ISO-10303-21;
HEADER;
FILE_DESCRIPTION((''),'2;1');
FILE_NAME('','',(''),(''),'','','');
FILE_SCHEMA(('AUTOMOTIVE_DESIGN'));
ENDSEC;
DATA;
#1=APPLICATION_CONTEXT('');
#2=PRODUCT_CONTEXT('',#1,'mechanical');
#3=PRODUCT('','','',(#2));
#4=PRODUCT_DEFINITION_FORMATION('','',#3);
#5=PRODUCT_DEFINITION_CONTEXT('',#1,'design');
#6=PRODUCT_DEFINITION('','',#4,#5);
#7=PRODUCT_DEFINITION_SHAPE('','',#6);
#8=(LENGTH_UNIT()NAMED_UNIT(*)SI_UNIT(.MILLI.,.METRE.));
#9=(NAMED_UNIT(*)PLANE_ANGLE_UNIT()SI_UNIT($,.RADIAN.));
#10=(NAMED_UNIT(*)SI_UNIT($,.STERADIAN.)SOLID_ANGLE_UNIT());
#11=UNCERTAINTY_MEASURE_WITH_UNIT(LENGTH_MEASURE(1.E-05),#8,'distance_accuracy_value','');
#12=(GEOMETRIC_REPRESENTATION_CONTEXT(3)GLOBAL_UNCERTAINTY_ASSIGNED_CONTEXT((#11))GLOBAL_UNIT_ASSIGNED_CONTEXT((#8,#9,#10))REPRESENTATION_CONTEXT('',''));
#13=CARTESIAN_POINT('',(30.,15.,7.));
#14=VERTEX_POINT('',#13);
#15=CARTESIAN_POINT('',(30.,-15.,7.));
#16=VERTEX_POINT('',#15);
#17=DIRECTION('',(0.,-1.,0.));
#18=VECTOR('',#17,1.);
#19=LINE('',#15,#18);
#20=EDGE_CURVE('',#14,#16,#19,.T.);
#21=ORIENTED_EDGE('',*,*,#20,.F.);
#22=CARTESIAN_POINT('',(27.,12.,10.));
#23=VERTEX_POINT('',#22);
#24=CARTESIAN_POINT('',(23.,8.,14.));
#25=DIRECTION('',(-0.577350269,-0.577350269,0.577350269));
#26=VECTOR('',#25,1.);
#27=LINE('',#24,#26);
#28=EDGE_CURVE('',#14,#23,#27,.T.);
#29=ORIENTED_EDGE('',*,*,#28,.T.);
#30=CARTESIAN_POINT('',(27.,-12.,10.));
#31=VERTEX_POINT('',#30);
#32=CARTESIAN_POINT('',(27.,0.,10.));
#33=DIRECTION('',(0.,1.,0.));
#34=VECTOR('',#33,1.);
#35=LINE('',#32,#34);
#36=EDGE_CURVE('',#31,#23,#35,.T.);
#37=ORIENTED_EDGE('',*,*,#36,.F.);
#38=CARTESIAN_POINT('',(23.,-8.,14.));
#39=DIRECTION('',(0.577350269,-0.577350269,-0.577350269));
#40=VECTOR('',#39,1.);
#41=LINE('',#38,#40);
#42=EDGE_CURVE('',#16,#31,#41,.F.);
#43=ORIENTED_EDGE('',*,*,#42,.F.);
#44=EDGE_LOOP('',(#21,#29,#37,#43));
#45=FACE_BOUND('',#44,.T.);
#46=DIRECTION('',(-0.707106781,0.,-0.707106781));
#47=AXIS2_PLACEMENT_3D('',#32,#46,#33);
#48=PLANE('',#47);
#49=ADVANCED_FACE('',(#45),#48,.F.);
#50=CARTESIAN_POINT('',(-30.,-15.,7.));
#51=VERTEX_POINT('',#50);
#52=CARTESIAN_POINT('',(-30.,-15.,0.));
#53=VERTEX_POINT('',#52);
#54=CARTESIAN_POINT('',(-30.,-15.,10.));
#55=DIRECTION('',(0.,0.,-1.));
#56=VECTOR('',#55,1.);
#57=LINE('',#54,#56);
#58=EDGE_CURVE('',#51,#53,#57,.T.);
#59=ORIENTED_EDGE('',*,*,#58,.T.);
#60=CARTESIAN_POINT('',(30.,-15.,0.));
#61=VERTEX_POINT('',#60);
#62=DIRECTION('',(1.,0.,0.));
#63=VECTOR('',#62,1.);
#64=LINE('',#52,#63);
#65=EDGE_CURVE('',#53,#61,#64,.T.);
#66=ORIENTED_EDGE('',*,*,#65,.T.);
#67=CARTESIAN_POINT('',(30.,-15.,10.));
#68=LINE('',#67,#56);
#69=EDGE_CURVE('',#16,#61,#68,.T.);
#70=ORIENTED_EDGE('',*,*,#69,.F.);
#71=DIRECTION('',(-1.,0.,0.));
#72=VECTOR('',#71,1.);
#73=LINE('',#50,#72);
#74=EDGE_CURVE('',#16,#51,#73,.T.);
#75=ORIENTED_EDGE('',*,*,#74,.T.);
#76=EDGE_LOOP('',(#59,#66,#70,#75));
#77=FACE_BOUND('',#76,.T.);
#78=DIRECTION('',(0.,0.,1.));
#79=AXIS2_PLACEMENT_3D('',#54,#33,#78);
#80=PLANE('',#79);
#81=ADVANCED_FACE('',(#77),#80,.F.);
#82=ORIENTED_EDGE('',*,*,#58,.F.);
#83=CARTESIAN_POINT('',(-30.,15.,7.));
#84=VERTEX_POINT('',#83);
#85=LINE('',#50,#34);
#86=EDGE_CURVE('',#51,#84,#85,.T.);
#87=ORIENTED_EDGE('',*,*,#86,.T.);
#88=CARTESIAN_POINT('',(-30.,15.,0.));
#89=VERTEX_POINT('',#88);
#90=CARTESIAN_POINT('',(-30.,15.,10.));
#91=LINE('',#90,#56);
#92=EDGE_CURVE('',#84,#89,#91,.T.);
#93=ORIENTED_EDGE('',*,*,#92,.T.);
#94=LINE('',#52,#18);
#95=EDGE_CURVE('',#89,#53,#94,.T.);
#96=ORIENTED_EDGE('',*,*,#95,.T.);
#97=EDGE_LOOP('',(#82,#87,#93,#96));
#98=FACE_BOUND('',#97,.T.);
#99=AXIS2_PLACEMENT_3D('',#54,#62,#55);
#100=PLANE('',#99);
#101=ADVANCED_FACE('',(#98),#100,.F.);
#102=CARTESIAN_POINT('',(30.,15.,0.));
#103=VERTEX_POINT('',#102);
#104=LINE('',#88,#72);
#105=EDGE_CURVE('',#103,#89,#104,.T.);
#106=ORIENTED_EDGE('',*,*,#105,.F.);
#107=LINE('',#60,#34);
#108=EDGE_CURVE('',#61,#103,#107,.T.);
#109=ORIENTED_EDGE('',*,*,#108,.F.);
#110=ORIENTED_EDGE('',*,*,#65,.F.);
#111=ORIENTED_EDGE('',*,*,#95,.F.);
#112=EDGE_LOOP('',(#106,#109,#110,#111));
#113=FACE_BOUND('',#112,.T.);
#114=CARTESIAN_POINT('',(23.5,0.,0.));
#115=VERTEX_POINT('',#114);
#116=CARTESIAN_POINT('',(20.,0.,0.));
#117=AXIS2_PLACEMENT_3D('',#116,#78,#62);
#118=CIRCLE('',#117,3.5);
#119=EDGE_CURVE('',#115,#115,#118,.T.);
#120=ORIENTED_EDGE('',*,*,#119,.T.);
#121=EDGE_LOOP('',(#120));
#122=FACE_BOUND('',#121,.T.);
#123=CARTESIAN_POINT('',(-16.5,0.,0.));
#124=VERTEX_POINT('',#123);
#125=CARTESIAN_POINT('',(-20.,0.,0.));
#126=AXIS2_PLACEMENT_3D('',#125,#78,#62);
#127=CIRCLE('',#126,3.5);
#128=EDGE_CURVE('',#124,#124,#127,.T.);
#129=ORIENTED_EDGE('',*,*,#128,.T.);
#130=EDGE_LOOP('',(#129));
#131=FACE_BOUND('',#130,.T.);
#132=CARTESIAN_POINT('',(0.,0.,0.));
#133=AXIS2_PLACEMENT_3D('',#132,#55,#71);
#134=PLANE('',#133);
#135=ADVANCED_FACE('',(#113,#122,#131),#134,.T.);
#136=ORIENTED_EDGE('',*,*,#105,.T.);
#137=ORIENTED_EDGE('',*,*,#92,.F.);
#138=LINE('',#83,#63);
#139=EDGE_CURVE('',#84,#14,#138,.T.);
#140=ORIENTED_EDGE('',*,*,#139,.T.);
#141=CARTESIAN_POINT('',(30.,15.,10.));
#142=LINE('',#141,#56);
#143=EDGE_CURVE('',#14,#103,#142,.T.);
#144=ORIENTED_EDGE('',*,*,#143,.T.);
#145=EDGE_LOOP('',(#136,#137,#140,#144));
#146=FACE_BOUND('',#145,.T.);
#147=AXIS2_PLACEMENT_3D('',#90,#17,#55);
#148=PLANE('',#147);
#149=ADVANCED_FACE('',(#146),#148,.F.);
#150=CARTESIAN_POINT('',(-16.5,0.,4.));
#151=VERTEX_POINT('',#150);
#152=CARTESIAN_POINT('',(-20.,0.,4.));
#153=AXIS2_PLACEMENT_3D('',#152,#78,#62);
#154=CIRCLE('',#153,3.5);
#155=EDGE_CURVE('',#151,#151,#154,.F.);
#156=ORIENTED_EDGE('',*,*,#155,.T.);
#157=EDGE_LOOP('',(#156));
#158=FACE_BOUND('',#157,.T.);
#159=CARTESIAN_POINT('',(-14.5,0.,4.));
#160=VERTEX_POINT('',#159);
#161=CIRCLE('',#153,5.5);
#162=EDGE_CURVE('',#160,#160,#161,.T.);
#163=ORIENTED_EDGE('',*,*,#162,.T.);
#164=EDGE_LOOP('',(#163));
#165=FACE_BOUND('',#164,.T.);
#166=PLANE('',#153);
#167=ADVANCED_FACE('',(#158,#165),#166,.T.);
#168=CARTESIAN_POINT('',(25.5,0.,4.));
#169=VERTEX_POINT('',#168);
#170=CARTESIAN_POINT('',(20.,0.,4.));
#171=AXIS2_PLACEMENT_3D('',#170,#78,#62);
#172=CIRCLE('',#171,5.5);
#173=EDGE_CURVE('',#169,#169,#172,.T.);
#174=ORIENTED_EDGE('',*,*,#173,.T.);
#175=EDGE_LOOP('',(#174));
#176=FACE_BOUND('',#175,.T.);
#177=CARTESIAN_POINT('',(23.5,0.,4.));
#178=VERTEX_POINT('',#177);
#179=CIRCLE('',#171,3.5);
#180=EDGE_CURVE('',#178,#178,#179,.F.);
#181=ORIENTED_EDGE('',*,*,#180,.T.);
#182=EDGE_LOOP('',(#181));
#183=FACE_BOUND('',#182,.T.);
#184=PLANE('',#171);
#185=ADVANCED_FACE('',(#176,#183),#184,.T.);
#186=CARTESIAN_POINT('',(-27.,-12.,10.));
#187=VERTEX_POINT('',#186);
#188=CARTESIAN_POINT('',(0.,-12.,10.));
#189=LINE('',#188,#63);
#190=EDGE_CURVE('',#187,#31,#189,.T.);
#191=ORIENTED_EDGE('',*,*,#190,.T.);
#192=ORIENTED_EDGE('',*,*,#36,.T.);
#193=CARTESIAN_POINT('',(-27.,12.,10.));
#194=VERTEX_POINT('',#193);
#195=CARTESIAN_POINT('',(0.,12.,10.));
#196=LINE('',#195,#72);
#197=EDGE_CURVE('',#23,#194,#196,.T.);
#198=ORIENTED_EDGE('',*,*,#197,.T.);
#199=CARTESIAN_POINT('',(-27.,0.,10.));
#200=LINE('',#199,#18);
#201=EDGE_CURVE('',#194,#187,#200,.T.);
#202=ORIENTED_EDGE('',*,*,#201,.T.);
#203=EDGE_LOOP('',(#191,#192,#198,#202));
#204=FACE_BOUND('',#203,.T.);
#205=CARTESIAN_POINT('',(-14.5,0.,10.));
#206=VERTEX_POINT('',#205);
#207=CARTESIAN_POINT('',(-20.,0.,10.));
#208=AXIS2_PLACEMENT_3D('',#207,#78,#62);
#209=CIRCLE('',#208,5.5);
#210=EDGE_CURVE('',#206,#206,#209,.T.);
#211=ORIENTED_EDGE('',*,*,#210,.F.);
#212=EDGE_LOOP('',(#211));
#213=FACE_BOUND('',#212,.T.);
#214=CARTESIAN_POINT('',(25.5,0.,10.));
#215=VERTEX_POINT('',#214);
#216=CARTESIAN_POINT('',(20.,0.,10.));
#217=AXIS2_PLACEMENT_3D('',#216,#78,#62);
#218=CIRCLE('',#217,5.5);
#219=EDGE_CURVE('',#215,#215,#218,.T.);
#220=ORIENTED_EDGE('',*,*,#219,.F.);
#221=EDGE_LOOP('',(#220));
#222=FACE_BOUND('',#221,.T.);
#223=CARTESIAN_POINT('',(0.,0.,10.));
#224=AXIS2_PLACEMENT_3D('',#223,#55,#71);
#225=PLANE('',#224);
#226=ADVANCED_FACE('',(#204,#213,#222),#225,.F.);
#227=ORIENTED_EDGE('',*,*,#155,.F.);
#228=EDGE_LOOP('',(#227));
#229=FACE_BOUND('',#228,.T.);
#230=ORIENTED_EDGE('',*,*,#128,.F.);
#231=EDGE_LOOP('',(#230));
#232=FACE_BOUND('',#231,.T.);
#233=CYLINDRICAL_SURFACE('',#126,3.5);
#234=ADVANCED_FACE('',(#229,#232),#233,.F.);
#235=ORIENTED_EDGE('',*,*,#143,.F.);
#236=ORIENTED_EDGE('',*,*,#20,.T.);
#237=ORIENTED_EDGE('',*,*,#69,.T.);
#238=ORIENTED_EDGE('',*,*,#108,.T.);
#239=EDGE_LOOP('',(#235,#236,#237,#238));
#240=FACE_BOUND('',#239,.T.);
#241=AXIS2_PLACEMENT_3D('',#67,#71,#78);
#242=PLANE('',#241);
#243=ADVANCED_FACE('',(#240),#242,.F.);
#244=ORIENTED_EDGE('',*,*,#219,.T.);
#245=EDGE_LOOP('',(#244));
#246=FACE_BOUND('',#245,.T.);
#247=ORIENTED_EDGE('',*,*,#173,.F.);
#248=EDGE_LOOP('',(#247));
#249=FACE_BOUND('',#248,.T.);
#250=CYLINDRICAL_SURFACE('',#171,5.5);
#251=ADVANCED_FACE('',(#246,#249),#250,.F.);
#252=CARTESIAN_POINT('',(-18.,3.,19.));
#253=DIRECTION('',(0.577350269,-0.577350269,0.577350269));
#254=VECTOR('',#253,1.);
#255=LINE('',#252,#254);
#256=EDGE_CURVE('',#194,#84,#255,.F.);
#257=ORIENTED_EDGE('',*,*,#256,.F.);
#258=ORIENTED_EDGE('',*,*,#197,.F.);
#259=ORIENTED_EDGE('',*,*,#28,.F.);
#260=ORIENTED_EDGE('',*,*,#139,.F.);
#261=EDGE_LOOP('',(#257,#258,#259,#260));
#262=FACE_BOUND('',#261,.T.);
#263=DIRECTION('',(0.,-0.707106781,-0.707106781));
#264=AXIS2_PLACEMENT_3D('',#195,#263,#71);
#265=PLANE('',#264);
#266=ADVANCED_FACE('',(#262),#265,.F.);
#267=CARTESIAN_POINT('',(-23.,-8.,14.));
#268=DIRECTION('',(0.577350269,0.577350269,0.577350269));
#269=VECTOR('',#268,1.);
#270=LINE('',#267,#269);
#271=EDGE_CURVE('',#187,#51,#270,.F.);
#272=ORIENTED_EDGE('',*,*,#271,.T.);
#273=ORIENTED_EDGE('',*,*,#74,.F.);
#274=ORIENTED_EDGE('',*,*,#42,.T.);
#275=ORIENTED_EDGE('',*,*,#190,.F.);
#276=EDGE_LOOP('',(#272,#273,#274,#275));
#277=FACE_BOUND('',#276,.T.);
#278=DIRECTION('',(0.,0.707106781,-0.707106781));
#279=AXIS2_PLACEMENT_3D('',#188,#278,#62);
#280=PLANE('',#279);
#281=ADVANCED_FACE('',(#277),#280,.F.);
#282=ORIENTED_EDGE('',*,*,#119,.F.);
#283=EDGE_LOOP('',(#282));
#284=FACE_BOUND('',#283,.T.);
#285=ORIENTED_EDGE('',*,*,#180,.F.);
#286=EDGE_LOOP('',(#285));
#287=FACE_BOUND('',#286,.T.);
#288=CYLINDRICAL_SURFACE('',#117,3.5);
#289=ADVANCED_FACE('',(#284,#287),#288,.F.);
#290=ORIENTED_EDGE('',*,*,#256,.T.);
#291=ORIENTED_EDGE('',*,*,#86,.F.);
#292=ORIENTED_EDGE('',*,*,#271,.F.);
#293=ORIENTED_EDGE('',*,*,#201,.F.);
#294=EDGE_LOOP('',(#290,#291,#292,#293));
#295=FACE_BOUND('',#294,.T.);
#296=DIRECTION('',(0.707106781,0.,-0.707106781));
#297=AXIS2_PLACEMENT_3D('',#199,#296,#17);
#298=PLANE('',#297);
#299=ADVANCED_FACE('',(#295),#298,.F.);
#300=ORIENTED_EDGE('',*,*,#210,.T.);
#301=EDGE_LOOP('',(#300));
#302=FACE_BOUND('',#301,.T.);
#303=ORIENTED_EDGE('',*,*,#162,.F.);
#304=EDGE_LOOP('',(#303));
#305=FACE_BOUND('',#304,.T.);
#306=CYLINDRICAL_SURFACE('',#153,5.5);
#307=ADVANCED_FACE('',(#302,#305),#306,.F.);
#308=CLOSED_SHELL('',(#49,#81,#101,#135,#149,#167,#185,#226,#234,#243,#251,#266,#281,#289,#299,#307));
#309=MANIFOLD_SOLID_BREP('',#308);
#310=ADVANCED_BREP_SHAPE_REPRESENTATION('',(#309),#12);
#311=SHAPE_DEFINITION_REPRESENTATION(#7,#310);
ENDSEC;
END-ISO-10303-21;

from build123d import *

# Parameters (mm, degrees)
SKETCH_1_W          = 60
SKETCH_1_H          = 30
EXTRUDE_1_DEPTH     = 10
CHAMFER_1_SIZE      = 3
SKETCH_2_R          = 3.5
CUT_EXTRUDE_1_DEPTH = 36
SKETCH_3_R          = 5.5
CUT_EXTRUDE_2_DEPTH = 6


with BuildPart() as part:
    # 草图1 → 凸台-拉伸1 (new body)
    with BuildSketch(Plane.XY):
        Rectangle(SKETCH_1_W, SKETCH_1_H)
    extrude(amount=EXTRUDE_1_DEPTH)

    # 倒角1
    chamfer_1_edges = [part.edges().sort_by_distance(p)[0] for p in [
        (-30, 0, 10),
        (0, -15, 10),
        (30, 0, 10),
        (0, 15, 10),
    ]]
    chamfer(chamfer_1_edges, length=CHAMFER_1_SIZE)

    # 草图2 → 切除-拉伸1 (cut, through all)
    with BuildSketch(Plane.XY.offset(10)):
        with Locations((-20, 0)):
            Circle(SKETCH_2_R)
        with Locations((20, 0)):
            Circle(SKETCH_2_R)
    extrude(amount=-CUT_EXTRUDE_1_DEPTH, mode=Mode.SUBTRACT)

    # 草图3 → 切除-拉伸2 (cut)
    with BuildSketch(Plane.XY.offset(10)):
        with Locations((-20, 0)):
            Circle(SKETCH_3_R)
        with Locations((20, 0)):
            Circle(SKETCH_3_R)
    extrude(amount=-CUT_EXTRUDE_2_DEPTH, mode=Mode.SUBTRACT)


solid = part.part
